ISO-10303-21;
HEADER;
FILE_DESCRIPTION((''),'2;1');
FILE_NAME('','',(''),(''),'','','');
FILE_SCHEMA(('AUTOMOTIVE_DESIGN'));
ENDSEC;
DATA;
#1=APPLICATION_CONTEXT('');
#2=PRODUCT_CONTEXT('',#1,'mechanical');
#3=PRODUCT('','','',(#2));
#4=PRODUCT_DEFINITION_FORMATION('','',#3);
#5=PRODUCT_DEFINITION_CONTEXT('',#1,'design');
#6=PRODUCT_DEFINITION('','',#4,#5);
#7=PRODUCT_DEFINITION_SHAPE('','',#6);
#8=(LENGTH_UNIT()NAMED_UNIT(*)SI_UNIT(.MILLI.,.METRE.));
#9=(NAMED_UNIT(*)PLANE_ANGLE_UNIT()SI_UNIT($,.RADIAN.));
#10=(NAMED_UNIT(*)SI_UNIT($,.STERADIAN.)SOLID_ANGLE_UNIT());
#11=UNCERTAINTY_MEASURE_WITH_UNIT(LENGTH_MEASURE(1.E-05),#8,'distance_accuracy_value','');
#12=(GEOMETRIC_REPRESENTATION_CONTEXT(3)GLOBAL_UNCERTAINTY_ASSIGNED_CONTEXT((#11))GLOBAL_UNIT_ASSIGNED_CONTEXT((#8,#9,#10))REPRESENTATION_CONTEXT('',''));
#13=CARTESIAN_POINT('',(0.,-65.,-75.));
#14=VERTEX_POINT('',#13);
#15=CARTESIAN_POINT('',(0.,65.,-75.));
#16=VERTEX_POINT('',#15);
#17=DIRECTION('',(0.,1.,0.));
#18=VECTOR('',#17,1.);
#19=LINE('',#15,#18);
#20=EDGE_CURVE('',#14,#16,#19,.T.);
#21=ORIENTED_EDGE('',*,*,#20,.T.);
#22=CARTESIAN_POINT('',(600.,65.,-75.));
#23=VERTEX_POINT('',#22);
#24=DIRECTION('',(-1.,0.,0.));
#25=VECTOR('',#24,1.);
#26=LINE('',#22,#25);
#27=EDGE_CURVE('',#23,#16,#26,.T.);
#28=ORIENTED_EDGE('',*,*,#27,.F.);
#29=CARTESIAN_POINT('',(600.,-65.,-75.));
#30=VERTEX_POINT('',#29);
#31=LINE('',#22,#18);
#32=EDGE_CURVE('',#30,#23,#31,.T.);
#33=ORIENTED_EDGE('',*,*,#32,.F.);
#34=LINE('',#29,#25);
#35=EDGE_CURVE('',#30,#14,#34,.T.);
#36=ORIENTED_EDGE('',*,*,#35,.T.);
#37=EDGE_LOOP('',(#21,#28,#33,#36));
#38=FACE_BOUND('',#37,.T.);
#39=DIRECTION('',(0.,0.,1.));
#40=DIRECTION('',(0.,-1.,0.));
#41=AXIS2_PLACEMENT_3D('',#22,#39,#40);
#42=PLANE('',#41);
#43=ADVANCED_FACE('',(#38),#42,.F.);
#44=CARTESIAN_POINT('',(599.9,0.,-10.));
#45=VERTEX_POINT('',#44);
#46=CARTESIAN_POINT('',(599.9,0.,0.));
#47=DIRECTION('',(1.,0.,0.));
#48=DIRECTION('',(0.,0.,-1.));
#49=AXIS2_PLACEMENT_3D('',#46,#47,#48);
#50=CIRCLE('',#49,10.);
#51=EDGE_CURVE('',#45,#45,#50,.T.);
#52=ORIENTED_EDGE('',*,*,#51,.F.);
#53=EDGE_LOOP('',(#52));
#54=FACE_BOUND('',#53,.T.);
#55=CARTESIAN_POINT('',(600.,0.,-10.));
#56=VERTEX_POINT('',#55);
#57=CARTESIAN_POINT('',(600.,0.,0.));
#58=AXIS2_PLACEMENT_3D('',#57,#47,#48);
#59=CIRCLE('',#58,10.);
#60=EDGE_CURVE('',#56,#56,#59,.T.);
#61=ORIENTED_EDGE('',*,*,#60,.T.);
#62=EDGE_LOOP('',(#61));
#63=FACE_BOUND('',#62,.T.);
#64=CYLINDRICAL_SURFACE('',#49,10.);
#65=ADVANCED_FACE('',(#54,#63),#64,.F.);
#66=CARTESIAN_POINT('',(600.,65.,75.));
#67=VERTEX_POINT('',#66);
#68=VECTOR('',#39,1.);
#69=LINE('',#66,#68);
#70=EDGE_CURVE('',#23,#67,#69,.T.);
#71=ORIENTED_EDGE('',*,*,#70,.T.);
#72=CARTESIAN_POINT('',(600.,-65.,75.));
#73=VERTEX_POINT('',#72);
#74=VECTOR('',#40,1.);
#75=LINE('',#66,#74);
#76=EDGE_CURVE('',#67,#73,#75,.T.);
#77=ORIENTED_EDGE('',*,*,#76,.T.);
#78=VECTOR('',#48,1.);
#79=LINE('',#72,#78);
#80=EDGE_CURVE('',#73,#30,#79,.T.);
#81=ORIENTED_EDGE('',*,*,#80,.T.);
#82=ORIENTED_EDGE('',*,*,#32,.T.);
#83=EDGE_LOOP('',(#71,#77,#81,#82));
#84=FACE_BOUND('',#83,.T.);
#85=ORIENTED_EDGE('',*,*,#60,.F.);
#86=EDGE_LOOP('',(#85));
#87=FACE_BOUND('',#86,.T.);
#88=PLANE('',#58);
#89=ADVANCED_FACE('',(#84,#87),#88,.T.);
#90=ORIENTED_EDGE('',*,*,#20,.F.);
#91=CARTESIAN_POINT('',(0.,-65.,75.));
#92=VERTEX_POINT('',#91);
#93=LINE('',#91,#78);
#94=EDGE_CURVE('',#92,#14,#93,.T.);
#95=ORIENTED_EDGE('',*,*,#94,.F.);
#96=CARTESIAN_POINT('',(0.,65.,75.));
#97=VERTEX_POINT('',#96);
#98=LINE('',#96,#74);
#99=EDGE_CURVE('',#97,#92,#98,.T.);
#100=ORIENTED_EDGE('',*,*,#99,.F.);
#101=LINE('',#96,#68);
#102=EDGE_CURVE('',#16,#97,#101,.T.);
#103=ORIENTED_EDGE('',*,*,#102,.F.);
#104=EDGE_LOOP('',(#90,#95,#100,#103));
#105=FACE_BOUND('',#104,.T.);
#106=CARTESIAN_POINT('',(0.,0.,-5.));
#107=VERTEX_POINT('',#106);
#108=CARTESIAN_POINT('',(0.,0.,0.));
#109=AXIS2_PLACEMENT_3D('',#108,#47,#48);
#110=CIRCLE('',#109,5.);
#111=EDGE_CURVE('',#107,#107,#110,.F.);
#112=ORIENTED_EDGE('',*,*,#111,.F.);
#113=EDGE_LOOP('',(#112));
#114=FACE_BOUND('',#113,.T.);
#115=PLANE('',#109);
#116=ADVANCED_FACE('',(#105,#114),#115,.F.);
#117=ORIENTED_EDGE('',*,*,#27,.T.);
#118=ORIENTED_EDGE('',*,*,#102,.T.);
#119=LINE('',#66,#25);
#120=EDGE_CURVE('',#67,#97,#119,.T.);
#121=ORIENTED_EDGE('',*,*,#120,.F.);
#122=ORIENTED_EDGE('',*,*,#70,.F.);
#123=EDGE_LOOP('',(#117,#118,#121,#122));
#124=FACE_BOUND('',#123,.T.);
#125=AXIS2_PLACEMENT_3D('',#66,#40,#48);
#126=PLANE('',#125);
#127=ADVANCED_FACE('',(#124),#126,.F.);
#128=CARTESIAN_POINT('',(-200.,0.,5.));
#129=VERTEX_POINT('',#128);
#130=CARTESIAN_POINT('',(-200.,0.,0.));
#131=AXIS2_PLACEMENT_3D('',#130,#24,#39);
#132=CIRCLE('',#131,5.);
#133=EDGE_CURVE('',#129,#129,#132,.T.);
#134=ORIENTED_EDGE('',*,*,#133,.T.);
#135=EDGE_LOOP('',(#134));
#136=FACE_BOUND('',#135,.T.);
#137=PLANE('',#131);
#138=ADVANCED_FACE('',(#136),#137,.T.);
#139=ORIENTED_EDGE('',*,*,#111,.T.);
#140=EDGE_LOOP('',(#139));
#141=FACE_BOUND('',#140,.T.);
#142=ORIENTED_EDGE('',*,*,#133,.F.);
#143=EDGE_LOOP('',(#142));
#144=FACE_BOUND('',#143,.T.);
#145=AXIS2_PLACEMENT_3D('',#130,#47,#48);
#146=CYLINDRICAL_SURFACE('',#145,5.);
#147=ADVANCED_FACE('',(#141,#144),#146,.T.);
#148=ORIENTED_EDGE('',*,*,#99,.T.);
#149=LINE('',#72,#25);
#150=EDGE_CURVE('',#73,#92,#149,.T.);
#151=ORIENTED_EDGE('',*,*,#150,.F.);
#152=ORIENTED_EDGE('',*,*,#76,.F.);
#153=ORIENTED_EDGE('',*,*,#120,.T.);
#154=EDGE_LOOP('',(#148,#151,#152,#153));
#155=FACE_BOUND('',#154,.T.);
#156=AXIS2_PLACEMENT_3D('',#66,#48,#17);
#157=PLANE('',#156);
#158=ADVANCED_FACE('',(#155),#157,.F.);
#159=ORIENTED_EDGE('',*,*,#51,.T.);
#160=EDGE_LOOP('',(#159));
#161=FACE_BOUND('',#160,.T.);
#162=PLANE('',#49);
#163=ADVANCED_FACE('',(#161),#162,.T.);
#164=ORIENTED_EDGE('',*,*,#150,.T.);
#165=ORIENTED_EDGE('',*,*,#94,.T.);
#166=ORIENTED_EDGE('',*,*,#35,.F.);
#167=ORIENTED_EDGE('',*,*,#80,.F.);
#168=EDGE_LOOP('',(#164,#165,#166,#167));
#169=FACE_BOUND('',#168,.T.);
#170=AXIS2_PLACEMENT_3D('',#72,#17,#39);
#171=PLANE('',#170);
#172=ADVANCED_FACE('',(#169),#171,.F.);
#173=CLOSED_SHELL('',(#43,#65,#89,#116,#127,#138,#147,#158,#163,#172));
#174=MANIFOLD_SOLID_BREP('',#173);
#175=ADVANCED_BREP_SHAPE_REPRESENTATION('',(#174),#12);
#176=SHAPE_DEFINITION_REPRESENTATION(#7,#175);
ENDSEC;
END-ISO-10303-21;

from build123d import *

# Parameters (mm, degrees)
SKETCH1_W           = 150
SKETCH1_H           = 130
BOSS_EXTRUDE1_DEPTH = 600
SKETCH2_R           = 5
BOSS_EXTRUDE2_DEPTH = 200
SKETCH3_R           = 10
CUT_EXTRUDE1_DEPTH  = 0.1


with BuildPart() as part:
    # Sketch1 → Boss-Extrude1 (new body)
    with BuildSketch(Plane(origin=(0, 0, 0), x_dir=(0, 0, -1), z_dir=(1, 0, 0))):
        Rectangle(SKETCH1_W, SKETCH1_H)
    extrude(amount=BOSS_EXTRUDE1_DEPTH)

    # Sketch2 → Boss-Extrude2 (add)
    with BuildSketch(Plane.ZY):
        Circle(SKETCH2_R)
    extrude(amount=BOSS_EXTRUDE2_DEPTH)

    # Sketch3 → Cut-Extrude1 (cut)
    with BuildSketch(Plane(origin=(600, 0, 0), x_dir=(0, 0, -1), z_dir=(1, 0, 0))):
        Circle(SKETCH3_R)
    extrude(amount=-CUT_EXTRUDE1_DEPTH, mode=Mode.SUBTRACT)


solid = part.part
